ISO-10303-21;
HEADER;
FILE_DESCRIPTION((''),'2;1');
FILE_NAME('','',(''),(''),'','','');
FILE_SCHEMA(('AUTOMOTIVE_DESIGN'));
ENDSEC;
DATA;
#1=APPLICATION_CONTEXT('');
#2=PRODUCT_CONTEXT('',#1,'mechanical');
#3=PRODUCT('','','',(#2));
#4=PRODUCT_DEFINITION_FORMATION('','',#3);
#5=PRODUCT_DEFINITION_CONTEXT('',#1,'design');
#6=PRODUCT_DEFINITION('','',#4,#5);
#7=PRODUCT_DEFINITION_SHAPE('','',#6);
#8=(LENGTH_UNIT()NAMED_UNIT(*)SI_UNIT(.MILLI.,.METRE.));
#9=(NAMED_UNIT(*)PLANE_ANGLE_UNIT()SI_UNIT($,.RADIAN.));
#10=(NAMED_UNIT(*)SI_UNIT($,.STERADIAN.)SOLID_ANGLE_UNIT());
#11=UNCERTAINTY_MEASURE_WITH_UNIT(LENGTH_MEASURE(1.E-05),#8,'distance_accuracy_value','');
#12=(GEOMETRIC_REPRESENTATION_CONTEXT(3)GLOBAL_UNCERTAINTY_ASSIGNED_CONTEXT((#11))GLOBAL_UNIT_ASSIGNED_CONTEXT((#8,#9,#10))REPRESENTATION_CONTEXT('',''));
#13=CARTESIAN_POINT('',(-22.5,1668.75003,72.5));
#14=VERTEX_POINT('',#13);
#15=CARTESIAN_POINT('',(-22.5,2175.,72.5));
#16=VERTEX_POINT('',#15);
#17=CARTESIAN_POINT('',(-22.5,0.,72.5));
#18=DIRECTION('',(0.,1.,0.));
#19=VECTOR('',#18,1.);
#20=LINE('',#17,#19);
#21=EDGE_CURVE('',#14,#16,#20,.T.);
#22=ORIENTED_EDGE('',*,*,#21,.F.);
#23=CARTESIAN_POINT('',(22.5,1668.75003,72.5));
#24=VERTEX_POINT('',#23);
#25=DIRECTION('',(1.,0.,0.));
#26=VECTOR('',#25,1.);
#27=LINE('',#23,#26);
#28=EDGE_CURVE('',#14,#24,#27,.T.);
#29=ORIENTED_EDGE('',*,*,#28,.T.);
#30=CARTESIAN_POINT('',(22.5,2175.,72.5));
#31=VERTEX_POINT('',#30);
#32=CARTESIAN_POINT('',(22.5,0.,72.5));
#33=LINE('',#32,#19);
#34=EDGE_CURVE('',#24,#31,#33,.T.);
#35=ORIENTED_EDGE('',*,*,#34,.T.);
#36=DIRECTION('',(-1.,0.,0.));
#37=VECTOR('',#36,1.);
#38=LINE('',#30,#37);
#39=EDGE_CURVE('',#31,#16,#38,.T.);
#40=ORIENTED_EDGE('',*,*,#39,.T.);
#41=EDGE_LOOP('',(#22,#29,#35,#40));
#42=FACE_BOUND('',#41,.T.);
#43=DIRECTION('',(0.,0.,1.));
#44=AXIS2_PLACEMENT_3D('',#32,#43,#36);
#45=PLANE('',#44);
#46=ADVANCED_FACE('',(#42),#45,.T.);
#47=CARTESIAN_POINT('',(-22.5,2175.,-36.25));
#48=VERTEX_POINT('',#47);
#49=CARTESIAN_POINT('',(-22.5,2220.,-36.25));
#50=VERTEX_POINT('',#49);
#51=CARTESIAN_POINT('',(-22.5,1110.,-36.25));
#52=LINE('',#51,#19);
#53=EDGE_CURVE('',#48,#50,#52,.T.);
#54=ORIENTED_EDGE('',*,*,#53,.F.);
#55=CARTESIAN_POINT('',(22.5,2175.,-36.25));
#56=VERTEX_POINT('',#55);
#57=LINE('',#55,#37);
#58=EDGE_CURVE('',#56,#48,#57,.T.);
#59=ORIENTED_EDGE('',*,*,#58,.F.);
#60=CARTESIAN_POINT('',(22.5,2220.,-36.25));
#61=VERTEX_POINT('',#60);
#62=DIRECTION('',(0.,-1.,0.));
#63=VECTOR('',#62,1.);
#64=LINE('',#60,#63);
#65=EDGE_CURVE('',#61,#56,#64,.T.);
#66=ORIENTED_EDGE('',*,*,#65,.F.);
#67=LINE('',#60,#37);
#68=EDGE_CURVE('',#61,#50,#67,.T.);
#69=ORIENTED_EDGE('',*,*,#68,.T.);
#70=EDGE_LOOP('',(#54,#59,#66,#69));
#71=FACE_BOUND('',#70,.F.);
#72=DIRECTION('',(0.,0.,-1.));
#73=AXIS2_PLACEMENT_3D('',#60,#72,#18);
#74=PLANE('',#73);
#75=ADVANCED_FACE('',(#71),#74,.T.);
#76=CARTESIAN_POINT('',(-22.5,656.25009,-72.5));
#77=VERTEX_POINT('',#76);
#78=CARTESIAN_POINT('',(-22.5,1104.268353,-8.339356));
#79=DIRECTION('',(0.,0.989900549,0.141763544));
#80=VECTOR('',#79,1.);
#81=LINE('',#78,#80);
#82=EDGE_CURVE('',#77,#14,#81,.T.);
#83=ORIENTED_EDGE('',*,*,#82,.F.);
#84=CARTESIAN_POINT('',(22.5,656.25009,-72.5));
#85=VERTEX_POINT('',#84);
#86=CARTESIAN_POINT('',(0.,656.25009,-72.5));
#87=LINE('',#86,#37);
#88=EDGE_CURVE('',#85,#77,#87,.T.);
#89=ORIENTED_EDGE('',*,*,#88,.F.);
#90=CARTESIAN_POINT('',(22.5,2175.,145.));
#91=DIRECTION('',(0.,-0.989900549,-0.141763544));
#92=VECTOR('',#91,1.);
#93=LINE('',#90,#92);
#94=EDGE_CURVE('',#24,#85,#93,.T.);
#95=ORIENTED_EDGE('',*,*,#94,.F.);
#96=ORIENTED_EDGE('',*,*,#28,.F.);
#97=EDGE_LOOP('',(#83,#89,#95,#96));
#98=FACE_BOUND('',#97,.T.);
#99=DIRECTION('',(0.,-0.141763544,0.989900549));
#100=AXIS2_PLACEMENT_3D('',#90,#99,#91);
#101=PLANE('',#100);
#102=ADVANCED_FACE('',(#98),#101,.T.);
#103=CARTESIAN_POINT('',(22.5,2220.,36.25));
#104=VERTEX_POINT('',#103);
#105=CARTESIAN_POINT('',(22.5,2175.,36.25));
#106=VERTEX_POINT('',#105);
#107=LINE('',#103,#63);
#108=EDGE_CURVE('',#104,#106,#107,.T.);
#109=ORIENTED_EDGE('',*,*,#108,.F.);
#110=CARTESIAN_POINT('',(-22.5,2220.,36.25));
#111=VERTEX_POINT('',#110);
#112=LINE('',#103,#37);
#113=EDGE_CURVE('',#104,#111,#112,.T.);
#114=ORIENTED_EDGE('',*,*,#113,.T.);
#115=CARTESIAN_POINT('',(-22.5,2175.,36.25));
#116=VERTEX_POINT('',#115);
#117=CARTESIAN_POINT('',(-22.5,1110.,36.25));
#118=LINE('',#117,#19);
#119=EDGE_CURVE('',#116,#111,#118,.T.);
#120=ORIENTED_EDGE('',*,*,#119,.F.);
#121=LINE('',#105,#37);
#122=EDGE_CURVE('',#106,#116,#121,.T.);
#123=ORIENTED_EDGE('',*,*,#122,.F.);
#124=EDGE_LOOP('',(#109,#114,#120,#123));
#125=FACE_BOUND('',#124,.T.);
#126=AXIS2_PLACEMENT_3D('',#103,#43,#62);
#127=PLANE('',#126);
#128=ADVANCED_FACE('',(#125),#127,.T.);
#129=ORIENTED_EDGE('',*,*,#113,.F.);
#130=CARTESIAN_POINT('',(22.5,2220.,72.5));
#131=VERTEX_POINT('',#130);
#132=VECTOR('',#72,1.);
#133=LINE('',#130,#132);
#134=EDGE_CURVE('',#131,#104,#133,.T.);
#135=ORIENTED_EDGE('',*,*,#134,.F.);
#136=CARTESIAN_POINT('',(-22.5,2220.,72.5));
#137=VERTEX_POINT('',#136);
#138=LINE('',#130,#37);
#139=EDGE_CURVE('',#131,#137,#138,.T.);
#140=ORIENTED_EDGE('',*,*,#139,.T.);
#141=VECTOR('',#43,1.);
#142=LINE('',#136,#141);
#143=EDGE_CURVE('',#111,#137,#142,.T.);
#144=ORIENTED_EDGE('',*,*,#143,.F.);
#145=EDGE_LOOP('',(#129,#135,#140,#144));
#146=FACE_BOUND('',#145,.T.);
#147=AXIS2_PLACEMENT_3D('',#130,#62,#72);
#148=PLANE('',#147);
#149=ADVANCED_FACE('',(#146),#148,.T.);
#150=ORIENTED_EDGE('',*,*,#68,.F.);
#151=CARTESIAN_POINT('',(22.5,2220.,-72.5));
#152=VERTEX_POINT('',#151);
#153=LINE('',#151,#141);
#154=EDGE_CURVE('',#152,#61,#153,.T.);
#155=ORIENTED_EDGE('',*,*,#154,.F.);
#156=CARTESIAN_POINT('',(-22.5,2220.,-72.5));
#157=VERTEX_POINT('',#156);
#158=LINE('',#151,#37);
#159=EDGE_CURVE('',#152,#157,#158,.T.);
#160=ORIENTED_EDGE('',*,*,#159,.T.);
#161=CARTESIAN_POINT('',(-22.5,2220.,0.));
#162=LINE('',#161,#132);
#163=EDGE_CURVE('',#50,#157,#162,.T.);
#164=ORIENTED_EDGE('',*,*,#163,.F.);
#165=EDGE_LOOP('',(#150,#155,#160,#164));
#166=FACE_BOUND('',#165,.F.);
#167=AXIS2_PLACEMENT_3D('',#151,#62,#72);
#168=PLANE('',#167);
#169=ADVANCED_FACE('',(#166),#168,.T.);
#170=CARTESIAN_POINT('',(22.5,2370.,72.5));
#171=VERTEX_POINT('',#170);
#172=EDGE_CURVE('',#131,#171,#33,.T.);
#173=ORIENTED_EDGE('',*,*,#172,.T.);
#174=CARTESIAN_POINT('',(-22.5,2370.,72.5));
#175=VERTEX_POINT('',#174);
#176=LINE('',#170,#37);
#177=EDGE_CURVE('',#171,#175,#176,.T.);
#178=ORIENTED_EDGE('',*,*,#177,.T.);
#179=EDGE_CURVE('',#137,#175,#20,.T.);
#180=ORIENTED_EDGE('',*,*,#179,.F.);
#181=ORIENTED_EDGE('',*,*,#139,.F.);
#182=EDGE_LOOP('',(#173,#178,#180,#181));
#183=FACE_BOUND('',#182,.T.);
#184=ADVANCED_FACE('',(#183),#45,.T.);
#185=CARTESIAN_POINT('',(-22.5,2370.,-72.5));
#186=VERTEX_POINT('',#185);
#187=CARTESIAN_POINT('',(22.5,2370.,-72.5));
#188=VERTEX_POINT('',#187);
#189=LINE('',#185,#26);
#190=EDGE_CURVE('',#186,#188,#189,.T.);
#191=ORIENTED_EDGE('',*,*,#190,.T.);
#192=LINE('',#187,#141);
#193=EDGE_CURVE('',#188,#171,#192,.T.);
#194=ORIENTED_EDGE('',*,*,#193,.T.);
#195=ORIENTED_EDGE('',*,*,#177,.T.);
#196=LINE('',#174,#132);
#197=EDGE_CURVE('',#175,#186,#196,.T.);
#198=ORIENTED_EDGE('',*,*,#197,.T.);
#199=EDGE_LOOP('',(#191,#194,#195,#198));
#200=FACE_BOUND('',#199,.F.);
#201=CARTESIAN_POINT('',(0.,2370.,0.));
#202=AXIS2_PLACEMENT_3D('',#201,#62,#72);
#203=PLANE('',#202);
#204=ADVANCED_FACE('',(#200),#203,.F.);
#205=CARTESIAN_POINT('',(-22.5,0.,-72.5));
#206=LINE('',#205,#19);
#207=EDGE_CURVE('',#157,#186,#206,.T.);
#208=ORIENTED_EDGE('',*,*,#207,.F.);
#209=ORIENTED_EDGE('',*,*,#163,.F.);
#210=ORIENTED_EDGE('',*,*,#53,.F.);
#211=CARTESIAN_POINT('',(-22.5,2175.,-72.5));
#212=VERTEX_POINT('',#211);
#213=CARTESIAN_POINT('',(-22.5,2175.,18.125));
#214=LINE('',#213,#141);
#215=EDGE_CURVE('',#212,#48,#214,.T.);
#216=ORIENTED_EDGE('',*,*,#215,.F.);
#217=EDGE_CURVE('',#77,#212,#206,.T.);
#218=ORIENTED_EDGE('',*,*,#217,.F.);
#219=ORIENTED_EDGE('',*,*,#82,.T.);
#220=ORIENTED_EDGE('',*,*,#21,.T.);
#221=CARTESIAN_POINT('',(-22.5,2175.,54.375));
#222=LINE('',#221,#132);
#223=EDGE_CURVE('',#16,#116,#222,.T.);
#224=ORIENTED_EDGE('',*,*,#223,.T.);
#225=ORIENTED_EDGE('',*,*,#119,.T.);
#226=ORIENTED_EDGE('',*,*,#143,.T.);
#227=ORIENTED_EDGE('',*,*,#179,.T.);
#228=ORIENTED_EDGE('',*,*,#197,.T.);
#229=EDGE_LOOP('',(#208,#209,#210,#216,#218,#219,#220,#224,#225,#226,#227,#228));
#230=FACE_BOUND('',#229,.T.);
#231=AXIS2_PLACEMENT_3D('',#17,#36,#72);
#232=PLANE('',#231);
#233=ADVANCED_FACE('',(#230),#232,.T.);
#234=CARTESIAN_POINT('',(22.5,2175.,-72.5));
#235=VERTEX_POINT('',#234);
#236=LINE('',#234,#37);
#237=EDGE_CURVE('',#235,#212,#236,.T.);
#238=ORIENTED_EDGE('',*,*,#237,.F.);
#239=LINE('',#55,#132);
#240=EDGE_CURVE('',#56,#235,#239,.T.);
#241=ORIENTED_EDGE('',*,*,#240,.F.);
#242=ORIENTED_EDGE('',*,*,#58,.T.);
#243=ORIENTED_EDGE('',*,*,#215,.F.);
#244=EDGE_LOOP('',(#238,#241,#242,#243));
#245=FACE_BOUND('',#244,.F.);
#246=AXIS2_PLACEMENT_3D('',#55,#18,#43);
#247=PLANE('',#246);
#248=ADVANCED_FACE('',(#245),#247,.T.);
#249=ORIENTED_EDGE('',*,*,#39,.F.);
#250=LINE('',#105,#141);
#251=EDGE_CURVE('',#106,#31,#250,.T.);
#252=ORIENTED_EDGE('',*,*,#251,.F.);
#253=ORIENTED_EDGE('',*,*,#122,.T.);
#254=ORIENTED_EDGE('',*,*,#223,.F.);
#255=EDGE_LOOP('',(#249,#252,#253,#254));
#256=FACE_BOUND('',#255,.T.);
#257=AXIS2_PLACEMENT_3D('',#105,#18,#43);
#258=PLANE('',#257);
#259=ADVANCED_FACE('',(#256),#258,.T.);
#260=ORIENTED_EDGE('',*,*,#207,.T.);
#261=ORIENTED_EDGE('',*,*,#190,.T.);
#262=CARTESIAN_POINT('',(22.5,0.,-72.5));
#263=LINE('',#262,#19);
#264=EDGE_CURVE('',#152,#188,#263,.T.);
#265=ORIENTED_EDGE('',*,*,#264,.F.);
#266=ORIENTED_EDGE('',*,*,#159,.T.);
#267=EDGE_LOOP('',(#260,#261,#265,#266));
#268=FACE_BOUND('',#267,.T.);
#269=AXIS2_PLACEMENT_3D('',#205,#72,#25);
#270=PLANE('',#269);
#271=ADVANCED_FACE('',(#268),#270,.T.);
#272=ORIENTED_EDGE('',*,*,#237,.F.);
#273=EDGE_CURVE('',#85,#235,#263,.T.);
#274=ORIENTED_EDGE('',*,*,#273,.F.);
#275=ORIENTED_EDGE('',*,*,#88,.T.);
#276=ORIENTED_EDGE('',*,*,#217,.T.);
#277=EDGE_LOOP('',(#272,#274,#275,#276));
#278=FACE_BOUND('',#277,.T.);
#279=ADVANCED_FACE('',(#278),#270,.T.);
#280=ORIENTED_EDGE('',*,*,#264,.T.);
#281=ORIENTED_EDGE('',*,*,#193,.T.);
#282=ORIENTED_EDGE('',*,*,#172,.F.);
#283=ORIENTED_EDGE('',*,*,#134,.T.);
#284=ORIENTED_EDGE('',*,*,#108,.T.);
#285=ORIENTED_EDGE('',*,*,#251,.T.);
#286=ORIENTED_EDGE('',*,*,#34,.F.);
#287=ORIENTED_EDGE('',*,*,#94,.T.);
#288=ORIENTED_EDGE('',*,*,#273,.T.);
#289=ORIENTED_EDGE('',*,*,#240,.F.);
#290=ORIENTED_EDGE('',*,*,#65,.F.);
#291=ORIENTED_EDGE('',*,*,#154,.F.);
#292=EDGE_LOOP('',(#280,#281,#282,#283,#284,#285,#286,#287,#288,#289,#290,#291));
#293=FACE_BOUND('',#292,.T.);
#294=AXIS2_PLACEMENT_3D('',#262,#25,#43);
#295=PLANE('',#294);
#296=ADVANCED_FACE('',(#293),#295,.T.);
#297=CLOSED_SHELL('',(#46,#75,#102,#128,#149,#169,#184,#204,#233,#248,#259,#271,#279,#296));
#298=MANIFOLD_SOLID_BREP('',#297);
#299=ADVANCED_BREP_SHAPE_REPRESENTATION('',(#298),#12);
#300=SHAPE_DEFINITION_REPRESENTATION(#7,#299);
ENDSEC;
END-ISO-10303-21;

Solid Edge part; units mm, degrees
sketch "Sketch1" plane through (0, 0, 0) normal (0, -1, 0) x (1, 0, 0)
  line L0 (-22.5, -72.5) -> (22.5, -72.5)
  line L1 (22.5, -72.5) -> (22.5, 72.5)
  line L2 (22.5, 72.5) -> (-22.5, 72.5)
  line L3 (-22.5, 72.5) -> (-22.5, -72.5)
extrude "Protrusion1" add sketch "Sketch1" against normal blind 2370
sketch "Sketch2" plane through (22.5, 1185, 0) normal (1, 0, 0) x (0, 1, 0)
  line L0 (1035, 72.5) -> (1035, 36.25)
  line L1 (1035, 36.25) -> (990, 36.25)
  line L2 (990, 36.25) -> (990, 72.5)
  line L3 (990, 72.5) -> (1035, 72.5)
  line L4 (-1035, 72.5) -> (-1035, 36.25)
  line L5 (-1035, 36.25) -> (-990, 36.25)
  line L6 (-990, 36.25) -> (-990, 72.5)
  line L7 (-990, 72.5) -> (-1035, 72.5)
extrude "ExtrudedCutout_1" cut sketch "Sketch2" against normal blind 89.2118
mirror "Mirror1" about plane through (0, 0, 0) normal (0, 0, -1) of "ExtrudedCutout_1"
sketch "Sketch3" plane through (22.5, 1185, 0) normal (1, 0, 0) x (0, 1, 0)
  line L0 (990, 145) -> (-1185, -166.4815)
  line L1 (-1185, -166.4815) -> (-1185, 145)
  line L2 (-1185, 145) -> (990, 145)
extrude "ExtrudedCutout_3" cut sketch "Sketch3" against normal blind 53.381
properties material "Wood, Pine"
